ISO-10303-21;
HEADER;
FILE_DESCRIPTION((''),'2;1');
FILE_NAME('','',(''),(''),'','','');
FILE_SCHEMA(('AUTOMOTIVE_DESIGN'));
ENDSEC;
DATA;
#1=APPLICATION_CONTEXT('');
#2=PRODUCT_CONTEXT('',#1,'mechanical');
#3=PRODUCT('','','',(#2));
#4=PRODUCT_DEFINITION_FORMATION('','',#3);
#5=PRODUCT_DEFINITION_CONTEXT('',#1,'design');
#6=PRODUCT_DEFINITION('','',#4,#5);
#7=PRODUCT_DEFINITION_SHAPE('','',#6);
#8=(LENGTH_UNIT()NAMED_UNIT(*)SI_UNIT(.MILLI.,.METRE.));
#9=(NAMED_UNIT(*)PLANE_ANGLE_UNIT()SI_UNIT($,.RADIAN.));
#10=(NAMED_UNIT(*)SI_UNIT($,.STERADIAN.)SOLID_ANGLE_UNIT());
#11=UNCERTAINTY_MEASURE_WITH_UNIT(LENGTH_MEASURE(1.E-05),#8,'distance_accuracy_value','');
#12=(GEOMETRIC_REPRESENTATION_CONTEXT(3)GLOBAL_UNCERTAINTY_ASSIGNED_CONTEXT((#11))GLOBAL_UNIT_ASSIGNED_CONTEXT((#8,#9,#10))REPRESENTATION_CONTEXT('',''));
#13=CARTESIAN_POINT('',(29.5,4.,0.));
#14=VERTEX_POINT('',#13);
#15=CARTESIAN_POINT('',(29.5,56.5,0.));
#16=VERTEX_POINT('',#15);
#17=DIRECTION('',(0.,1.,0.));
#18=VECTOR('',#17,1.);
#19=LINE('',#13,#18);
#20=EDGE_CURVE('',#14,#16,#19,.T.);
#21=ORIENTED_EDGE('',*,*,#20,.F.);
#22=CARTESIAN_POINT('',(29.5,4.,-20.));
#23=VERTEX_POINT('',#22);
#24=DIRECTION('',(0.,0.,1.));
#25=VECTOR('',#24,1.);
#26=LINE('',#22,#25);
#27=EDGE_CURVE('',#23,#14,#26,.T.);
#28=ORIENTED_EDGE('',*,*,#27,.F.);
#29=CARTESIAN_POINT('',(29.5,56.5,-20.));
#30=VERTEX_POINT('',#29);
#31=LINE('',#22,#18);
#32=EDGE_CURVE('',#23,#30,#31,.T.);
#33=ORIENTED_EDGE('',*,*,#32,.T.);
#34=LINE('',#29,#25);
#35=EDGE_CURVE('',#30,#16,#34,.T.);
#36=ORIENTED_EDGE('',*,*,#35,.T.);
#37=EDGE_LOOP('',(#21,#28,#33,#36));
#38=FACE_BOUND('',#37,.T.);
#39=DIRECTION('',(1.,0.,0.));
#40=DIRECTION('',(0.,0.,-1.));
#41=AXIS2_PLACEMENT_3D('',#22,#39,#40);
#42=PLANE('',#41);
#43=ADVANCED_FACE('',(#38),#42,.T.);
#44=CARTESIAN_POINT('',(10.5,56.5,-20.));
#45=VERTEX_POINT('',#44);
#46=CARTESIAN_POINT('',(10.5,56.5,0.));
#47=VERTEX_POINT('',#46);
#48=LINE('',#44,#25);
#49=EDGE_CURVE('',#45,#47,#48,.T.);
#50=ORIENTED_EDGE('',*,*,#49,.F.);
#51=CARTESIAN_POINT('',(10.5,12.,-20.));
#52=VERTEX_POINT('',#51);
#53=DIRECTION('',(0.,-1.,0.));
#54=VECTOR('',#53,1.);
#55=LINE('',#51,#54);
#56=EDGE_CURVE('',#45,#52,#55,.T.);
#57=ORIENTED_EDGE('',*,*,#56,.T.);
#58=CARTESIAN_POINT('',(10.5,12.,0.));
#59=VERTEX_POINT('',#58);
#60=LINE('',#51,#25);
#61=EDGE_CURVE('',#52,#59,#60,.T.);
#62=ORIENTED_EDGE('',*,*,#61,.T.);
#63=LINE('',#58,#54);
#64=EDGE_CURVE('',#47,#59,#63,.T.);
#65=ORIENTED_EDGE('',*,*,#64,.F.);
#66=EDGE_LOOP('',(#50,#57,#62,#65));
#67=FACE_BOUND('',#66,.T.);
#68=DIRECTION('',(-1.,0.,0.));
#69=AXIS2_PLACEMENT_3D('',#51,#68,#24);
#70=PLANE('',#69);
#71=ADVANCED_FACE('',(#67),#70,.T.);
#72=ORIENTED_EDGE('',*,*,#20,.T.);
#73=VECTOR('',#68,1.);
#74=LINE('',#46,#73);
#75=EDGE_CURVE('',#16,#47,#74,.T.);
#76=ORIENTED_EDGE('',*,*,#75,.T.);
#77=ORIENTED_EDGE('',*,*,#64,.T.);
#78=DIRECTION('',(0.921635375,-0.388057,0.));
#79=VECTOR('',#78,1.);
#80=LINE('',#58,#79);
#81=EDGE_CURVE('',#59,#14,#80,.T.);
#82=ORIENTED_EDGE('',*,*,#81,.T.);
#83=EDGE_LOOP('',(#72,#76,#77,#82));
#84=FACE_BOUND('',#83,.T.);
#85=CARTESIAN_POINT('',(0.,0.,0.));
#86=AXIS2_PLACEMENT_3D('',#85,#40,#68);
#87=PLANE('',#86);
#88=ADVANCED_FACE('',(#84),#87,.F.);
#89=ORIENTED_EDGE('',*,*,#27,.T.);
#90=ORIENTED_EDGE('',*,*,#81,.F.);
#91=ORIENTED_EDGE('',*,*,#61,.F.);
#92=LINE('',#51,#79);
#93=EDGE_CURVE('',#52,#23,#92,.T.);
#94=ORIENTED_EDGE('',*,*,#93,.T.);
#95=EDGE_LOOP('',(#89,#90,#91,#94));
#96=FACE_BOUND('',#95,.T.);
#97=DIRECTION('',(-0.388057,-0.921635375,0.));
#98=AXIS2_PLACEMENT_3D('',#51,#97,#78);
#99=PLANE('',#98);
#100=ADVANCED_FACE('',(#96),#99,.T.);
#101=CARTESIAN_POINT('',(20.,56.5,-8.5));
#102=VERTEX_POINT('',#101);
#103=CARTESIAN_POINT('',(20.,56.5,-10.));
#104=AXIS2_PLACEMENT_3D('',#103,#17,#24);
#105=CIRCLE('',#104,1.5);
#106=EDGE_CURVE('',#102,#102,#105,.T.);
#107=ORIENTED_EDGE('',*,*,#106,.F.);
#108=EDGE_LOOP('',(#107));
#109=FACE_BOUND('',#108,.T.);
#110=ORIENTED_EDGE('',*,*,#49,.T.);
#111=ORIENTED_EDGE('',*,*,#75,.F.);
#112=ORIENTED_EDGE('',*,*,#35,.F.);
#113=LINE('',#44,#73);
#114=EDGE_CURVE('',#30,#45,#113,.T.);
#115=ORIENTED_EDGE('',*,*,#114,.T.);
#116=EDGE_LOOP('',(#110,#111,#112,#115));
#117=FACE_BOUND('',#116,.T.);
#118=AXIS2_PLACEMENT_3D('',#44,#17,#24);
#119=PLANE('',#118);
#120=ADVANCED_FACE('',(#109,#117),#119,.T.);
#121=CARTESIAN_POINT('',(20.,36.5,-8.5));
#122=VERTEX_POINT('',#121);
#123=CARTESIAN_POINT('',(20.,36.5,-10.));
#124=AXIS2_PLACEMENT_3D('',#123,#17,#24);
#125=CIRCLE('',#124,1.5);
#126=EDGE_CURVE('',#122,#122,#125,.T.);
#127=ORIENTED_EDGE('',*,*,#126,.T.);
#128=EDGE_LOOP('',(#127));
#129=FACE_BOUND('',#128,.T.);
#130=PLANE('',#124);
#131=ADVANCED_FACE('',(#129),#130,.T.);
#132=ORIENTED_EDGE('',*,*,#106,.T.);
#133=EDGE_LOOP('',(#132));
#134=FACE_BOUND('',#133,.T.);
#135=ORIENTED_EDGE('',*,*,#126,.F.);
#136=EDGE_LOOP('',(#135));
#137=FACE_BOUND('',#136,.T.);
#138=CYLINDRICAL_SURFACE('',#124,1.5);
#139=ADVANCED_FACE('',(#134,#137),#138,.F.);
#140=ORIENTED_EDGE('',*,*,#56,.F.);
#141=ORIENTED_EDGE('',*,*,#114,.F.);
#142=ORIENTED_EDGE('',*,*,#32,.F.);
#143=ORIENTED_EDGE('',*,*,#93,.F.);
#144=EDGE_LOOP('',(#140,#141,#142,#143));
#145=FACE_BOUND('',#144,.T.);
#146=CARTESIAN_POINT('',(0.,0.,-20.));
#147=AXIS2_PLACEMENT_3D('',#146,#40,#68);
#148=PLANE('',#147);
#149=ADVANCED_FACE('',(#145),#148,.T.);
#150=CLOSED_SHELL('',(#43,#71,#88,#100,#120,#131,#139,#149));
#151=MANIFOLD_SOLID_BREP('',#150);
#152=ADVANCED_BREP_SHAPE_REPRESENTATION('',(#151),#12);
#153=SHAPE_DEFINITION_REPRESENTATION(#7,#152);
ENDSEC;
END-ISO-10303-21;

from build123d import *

# Parameters (mm, degrees)
EXTRUDE_1_DEPTH     = 20
SKETCH_2_R          = 1.5
CUT_EXTRUDE_1_DEPTH = 20


with BuildPart() as part:
    # 草图1 → 凸台-拉伸1 (new body)
    with BuildSketch(Plane.XY):
        Polygon((10.5, 12), (29.5, 4), (29.5, 56.5), (10.5, 56.5), align=None)
    extrude(amount=-EXTRUDE_1_DEPTH)

    # 草图2 → 切除-拉伸1 (cut)
    with BuildSketch(Plane(origin=(0, 56.5, 0), x_dir=(1, 0, 0), z_dir=(0, 1, 0))):
        with Locations(Location((20, 10, 0), (0, 0, 270))):
            Circle(SKETCH_2_R)
    extrude(amount=-CUT_EXTRUDE_1_DEPTH, mode=Mode.SUBTRACT)


solid = part.part
